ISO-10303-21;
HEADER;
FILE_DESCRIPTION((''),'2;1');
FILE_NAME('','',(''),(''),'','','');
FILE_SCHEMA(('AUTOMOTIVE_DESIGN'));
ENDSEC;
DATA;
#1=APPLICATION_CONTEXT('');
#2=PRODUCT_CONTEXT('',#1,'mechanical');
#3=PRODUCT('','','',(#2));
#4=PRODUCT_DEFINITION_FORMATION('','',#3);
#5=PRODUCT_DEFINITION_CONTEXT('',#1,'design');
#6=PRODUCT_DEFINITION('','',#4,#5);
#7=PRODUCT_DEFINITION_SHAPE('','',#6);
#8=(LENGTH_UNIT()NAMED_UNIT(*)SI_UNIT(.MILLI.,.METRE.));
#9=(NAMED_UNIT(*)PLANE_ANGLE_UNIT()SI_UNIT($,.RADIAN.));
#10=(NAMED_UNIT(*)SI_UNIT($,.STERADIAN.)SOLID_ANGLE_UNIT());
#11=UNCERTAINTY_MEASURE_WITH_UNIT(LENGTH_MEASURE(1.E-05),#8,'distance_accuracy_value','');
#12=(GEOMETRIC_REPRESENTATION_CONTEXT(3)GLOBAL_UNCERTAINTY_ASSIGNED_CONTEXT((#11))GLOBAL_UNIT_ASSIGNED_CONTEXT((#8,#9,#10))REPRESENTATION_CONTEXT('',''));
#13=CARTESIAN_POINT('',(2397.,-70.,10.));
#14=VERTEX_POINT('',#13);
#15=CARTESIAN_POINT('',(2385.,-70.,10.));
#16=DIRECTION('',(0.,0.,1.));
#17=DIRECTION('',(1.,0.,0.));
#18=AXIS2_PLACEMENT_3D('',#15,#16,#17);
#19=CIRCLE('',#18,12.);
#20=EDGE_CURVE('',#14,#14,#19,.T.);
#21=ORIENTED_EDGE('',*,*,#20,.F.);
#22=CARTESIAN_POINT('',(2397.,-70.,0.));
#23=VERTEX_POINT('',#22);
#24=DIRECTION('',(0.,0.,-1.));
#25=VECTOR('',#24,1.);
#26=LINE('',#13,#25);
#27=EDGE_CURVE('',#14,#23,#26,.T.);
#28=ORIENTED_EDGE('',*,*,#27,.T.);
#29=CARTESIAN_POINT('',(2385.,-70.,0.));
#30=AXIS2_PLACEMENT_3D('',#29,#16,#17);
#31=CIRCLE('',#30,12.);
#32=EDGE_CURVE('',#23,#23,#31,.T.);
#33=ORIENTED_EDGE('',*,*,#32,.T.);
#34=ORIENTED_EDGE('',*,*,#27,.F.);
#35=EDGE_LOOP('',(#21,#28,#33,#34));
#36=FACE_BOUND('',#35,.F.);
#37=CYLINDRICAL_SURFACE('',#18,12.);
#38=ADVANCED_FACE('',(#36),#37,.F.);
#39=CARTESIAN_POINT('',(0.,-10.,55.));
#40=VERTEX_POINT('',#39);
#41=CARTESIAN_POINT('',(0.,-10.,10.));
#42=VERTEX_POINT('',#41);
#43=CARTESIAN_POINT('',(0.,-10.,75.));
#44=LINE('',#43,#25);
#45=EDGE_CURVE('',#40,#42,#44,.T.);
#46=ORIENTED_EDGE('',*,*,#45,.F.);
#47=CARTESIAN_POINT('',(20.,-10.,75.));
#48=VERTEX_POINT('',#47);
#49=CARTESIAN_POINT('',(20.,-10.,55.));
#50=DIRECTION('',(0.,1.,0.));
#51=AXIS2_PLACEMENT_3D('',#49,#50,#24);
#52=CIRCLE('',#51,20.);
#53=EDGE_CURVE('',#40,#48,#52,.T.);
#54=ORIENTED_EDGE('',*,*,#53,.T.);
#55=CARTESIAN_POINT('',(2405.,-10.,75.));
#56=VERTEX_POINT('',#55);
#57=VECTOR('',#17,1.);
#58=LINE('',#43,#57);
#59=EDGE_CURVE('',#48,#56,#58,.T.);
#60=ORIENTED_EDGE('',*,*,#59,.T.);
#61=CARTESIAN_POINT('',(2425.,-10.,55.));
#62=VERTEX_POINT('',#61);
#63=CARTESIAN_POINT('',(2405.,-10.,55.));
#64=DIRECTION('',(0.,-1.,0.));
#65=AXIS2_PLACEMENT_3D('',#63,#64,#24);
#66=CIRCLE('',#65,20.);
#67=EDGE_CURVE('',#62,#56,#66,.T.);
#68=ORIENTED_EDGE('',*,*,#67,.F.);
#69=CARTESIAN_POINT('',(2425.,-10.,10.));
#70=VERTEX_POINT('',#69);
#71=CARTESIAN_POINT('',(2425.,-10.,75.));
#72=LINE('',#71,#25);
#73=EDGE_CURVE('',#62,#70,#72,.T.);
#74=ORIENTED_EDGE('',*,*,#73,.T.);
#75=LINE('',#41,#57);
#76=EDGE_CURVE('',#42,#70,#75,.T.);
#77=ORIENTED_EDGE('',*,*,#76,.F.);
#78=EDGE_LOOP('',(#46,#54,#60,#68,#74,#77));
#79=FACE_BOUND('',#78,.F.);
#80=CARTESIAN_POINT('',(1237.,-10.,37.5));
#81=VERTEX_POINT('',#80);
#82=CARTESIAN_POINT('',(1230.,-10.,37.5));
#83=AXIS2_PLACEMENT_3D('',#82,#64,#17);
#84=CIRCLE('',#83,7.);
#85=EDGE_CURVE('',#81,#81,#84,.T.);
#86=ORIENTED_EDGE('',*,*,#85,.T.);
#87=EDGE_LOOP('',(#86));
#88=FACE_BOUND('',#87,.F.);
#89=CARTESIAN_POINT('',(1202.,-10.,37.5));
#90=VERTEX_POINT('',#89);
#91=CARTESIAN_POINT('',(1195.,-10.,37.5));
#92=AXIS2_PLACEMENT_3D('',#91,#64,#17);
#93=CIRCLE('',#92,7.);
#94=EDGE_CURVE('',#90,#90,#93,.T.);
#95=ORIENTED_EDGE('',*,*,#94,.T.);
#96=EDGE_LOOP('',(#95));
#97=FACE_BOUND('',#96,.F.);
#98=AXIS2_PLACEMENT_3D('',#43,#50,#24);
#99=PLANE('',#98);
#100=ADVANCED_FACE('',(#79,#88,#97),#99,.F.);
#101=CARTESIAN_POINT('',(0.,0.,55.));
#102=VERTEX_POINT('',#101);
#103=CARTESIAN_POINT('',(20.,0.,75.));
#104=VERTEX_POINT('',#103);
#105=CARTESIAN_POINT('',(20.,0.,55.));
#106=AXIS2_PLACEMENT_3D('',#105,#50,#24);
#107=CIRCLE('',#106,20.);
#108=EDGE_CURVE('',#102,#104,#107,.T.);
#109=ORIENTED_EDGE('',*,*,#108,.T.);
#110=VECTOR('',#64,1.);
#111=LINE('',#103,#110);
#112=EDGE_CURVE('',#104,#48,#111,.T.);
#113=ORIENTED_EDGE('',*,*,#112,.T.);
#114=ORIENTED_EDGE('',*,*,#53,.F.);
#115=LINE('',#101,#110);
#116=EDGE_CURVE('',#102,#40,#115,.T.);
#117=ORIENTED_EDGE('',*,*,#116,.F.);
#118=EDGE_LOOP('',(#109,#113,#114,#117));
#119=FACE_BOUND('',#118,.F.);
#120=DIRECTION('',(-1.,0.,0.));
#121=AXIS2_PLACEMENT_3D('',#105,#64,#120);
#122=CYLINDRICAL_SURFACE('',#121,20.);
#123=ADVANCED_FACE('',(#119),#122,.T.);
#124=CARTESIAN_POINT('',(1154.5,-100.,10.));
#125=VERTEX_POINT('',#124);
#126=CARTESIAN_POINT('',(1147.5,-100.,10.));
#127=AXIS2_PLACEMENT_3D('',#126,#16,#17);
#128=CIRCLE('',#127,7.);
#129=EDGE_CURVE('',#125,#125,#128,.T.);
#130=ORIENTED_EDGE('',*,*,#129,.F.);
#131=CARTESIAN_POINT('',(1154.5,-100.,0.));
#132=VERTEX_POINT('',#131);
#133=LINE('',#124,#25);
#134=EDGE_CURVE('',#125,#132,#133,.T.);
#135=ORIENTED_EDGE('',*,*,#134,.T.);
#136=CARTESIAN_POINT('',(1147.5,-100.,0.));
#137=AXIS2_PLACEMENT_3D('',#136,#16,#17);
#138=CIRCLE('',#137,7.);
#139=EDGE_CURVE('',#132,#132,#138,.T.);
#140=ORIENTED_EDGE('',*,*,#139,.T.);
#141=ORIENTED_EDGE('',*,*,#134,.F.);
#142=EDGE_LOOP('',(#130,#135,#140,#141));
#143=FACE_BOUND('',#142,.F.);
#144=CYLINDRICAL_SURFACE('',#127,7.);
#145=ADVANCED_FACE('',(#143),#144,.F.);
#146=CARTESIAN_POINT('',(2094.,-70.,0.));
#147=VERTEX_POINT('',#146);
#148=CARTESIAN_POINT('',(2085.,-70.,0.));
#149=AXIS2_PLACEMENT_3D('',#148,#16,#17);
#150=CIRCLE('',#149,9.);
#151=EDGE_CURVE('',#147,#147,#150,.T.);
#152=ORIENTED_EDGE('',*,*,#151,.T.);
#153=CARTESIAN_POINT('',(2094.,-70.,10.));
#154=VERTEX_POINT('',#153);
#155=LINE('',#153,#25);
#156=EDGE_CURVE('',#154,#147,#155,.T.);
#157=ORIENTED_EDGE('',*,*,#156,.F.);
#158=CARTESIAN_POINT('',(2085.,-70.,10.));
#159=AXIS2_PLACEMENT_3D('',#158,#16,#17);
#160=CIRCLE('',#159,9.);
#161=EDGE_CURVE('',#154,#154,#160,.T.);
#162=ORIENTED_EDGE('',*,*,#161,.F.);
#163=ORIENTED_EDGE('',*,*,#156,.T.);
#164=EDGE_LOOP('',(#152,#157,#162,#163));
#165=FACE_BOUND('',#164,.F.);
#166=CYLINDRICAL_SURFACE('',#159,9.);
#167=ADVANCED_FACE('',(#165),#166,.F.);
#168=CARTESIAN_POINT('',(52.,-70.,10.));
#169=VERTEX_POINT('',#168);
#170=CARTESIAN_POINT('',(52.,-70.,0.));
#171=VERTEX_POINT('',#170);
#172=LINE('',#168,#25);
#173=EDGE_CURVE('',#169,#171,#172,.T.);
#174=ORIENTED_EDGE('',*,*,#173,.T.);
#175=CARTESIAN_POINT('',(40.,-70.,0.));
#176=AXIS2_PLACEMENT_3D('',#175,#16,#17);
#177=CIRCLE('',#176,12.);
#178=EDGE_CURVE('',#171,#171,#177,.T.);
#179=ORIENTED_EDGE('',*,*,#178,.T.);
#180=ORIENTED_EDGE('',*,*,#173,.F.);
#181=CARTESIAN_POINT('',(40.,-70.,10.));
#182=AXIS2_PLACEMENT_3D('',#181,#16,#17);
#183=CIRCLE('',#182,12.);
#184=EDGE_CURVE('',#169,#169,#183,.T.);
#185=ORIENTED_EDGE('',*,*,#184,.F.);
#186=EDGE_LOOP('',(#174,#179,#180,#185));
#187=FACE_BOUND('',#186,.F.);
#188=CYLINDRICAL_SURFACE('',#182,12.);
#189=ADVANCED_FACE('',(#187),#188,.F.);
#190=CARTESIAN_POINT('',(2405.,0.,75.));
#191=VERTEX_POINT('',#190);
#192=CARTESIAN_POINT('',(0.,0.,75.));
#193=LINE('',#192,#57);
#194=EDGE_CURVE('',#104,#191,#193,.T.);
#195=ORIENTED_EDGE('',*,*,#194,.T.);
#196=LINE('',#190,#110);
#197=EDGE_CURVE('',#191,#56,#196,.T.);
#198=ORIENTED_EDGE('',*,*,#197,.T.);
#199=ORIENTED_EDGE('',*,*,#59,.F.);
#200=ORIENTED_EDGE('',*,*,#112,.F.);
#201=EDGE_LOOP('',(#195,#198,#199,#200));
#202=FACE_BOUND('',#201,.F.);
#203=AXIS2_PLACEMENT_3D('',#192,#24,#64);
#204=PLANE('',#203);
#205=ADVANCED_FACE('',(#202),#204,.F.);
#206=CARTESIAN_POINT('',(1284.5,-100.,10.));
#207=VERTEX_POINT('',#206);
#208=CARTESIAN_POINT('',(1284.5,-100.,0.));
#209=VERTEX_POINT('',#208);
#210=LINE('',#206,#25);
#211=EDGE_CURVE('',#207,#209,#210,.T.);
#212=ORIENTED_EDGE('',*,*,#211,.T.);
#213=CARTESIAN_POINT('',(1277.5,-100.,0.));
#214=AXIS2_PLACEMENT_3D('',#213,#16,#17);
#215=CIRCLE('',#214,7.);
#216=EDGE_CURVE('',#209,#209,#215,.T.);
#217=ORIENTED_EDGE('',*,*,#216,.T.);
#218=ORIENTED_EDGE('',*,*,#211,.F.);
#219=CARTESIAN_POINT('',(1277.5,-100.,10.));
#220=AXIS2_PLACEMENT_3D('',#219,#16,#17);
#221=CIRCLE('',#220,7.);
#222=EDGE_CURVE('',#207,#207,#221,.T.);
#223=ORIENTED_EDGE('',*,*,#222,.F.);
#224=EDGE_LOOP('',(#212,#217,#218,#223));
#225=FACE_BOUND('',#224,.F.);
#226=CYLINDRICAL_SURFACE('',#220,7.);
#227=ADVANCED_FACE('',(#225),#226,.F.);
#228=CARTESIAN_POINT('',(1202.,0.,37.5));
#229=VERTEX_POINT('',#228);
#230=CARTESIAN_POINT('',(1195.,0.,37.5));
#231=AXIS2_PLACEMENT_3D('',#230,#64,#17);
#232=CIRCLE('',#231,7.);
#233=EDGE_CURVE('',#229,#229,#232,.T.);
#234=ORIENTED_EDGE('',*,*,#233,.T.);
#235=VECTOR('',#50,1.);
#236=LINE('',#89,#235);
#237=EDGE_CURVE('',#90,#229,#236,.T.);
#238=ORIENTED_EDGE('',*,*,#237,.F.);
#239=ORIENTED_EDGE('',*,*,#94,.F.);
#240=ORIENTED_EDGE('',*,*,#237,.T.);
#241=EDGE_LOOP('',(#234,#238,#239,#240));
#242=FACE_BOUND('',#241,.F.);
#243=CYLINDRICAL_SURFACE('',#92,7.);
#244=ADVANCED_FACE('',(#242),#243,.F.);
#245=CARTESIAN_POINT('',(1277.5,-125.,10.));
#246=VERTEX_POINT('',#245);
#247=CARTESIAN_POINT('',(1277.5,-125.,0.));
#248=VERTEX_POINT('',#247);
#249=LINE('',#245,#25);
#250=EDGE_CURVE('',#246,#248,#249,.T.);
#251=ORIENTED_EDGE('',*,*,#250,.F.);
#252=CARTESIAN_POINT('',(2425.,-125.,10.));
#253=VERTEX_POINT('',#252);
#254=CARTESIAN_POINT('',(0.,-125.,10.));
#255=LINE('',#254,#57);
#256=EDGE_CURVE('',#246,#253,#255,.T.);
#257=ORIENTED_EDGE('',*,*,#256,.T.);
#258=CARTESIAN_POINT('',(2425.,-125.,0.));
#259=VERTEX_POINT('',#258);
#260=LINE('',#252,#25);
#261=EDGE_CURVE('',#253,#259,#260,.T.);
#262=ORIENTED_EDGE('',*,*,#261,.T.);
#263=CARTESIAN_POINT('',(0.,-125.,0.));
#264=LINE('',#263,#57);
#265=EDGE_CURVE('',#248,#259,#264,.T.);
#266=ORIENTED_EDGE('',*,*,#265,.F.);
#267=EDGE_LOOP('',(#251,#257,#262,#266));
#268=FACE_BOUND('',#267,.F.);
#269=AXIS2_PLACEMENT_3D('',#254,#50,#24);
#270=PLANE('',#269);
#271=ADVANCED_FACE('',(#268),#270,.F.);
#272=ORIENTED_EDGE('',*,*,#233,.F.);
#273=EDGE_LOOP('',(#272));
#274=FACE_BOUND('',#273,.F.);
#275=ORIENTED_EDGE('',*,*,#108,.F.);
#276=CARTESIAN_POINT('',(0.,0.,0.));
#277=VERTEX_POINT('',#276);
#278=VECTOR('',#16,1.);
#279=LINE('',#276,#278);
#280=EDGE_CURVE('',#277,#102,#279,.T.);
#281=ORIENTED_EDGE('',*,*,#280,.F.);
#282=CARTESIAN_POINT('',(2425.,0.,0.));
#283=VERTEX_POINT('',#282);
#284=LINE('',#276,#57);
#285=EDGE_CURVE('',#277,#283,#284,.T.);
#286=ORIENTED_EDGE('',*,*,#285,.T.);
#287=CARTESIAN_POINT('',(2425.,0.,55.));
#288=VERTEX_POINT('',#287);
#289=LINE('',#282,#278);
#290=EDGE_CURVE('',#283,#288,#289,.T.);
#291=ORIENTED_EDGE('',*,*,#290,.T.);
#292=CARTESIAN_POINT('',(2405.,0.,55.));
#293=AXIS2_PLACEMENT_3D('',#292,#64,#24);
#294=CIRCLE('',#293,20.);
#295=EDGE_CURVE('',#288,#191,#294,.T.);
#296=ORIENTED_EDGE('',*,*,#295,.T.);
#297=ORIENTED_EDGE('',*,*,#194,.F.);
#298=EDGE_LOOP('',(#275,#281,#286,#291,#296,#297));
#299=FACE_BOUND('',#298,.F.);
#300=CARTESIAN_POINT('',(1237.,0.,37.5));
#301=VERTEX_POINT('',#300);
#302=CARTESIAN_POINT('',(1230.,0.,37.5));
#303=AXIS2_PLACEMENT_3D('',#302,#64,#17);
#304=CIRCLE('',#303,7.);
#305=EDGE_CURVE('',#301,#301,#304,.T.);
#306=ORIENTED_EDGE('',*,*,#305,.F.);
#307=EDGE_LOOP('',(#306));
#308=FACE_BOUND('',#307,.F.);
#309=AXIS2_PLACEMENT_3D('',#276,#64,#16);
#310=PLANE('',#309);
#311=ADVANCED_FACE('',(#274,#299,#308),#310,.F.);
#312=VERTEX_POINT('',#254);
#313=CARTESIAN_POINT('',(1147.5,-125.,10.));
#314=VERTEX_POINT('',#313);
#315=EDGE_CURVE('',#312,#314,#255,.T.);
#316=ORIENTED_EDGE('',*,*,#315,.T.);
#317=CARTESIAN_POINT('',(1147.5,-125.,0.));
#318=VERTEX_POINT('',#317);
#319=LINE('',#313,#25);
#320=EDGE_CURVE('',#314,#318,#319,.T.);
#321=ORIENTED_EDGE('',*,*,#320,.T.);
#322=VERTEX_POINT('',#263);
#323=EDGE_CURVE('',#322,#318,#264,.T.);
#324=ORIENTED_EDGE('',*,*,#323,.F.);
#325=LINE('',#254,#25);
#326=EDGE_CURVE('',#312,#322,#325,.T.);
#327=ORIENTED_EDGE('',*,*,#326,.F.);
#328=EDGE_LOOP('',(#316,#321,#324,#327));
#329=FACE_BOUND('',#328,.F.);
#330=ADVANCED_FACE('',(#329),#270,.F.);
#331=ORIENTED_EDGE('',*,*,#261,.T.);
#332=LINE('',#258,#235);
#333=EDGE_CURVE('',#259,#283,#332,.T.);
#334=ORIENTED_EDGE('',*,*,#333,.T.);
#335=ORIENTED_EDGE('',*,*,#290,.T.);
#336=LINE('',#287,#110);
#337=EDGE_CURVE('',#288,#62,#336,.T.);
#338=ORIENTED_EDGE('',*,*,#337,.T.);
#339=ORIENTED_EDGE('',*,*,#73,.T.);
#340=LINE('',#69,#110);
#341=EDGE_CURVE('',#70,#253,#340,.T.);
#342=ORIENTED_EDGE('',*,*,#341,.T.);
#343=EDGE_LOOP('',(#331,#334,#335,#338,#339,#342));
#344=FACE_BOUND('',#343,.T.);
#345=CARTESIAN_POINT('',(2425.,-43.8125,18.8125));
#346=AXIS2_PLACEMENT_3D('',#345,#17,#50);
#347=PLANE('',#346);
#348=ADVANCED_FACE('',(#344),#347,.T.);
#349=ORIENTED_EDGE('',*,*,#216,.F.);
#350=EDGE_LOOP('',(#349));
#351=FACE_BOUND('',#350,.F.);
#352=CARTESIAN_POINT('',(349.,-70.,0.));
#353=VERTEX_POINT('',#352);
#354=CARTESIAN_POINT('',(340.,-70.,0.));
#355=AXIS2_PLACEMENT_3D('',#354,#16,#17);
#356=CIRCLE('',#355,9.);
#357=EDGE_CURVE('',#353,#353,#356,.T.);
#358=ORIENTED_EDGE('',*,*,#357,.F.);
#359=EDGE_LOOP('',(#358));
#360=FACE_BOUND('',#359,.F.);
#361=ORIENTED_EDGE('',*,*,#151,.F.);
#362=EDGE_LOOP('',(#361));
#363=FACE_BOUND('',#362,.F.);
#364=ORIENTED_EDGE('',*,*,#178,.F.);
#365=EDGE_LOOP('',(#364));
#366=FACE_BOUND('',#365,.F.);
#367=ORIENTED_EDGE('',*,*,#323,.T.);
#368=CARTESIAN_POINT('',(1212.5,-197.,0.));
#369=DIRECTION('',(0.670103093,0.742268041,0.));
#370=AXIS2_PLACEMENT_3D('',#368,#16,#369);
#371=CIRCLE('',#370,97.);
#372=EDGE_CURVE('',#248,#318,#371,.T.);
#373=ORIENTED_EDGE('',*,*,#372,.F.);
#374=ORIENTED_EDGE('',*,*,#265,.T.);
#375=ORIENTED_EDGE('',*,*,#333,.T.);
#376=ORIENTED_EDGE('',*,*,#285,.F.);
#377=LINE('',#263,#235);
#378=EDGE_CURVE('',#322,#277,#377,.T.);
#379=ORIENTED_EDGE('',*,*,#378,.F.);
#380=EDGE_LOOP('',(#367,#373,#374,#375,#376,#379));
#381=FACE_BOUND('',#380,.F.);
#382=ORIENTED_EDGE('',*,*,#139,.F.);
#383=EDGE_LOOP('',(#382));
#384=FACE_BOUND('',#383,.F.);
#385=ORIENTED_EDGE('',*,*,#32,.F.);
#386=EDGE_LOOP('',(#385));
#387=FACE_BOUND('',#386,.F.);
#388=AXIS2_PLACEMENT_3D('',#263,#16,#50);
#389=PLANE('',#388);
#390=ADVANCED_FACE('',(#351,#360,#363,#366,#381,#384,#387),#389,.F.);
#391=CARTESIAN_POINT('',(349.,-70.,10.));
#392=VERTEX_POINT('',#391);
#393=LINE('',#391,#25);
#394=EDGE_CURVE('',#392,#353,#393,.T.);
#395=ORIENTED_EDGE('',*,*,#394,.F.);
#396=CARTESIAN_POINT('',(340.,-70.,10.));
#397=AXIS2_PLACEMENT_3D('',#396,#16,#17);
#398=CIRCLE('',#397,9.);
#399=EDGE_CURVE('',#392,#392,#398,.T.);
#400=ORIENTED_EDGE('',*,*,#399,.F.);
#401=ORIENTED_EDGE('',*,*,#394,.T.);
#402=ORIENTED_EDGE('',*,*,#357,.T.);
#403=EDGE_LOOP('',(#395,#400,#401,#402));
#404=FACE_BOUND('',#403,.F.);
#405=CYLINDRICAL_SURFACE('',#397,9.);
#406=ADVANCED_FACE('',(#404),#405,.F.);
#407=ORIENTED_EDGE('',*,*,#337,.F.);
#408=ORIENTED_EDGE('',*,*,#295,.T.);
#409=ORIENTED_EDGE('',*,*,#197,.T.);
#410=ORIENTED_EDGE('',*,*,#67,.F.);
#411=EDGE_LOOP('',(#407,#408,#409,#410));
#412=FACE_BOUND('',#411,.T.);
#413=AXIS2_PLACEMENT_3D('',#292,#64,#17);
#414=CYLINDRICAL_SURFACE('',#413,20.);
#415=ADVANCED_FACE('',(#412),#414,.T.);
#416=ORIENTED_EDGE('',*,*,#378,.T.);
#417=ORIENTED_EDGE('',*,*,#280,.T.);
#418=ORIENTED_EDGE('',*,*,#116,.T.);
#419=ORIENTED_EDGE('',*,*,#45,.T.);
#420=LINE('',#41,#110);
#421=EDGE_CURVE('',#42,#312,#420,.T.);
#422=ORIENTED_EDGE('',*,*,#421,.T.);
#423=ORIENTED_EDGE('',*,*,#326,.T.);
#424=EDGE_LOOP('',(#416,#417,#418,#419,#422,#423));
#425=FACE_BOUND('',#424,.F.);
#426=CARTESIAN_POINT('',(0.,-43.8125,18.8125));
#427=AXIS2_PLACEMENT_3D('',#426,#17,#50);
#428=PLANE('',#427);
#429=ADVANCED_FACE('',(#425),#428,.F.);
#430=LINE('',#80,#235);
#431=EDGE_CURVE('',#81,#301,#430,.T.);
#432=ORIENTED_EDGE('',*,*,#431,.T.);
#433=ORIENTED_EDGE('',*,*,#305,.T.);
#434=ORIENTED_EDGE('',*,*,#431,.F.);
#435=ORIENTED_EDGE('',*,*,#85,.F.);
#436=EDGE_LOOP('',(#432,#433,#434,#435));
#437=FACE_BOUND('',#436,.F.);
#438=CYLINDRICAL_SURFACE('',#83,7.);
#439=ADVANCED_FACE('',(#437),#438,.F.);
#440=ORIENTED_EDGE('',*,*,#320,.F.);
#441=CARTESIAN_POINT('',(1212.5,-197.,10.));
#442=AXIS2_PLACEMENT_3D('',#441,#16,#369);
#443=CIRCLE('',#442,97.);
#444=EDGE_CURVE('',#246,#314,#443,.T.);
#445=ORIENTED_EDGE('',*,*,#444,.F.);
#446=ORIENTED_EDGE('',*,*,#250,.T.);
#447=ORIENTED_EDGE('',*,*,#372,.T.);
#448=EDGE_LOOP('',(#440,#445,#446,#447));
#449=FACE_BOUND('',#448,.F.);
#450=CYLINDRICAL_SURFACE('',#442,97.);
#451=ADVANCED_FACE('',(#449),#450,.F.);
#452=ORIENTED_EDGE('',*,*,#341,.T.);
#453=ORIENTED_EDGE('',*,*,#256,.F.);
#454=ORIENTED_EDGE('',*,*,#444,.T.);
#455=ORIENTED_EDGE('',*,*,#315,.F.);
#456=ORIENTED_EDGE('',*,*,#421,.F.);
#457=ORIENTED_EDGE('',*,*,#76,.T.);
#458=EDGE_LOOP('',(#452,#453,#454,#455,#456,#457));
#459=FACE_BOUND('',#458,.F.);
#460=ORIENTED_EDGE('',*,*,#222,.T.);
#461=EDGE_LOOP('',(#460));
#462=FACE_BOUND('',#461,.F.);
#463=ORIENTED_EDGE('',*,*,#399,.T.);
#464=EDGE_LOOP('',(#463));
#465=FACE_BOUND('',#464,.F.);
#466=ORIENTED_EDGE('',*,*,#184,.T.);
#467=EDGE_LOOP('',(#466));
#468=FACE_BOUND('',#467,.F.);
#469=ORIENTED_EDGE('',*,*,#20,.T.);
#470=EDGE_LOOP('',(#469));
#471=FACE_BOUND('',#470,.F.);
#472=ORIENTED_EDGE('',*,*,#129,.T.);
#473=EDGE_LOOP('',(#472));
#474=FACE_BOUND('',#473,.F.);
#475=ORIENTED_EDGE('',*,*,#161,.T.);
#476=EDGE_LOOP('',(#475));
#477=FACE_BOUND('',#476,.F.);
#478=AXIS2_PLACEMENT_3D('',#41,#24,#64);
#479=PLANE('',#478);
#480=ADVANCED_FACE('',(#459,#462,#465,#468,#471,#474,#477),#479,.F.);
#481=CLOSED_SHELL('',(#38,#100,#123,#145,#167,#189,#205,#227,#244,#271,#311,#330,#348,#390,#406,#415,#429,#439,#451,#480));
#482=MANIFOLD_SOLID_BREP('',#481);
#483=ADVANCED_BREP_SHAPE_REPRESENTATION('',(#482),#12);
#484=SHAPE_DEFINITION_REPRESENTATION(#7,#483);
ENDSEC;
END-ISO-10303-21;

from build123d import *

# Parameters (mm, degrees)
F1_DEPTH = 2425
F2_R     = 12
F2_R_2   = 7
F2_R_3   = 9
F3_DEPTH = 10
F4_R     = 7
F5_DEPTH = 10
F6_R     = 20


with BuildPart() as f1:
    # F0 (on Right) → F1 (new body)
    with BuildSketch(Plane.YZ):
        Polygon((-125, 0), (0, 0), (0, 75), (-10, 75), (-10, 10), (-125, 10), align=None)
    extrude(amount=F1_DEPTH)

    # F2 (on face) → F3 (cut)
    with BuildSketch(Plane.XY.offset(10)):
        with Locations((40, -70)):
            Circle(F2_R)
        with Locations((2385, -70)):
            Circle(F2_R)
        with BuildLine():
            Line((1147.5, -125), (1277.5, -125))
            ThreePointArc((1277.5, -125), (1212.5, -100), (1147.5, -125))
        make_face()
        with Locations((1147.5, -100)):
            Circle(F2_R_2)
        with Locations((1277.5, -100)):
            Circle(F2_R_2)
        with Locations((2085, -70)):
            Circle(F2_R_3)
        with Locations((340, -70)):
            Circle(F2_R_3)
    extrude(amount=-F3_DEPTH, mode=Mode.SUBTRACT)

    # F4 (on face) → F5 (cut)
    with BuildSketch(Plane.XZ.offset(10)):
        with Locations((1195, 37.5)):
            Circle(F4_R)
        with Locations((1230, 37.5)):
            Circle(F4_R)
    extrude(amount=-F5_DEPTH, mode=Mode.SUBTRACT)

    # F6
    f6_edges = [f1.edges().sort_by_distance(p)[0] for p in [
        (2425, -5, 75),
        (0, -5, 75),
    ]]
    fillet(f6_edges, radius=F6_R)


solid = f1.part
